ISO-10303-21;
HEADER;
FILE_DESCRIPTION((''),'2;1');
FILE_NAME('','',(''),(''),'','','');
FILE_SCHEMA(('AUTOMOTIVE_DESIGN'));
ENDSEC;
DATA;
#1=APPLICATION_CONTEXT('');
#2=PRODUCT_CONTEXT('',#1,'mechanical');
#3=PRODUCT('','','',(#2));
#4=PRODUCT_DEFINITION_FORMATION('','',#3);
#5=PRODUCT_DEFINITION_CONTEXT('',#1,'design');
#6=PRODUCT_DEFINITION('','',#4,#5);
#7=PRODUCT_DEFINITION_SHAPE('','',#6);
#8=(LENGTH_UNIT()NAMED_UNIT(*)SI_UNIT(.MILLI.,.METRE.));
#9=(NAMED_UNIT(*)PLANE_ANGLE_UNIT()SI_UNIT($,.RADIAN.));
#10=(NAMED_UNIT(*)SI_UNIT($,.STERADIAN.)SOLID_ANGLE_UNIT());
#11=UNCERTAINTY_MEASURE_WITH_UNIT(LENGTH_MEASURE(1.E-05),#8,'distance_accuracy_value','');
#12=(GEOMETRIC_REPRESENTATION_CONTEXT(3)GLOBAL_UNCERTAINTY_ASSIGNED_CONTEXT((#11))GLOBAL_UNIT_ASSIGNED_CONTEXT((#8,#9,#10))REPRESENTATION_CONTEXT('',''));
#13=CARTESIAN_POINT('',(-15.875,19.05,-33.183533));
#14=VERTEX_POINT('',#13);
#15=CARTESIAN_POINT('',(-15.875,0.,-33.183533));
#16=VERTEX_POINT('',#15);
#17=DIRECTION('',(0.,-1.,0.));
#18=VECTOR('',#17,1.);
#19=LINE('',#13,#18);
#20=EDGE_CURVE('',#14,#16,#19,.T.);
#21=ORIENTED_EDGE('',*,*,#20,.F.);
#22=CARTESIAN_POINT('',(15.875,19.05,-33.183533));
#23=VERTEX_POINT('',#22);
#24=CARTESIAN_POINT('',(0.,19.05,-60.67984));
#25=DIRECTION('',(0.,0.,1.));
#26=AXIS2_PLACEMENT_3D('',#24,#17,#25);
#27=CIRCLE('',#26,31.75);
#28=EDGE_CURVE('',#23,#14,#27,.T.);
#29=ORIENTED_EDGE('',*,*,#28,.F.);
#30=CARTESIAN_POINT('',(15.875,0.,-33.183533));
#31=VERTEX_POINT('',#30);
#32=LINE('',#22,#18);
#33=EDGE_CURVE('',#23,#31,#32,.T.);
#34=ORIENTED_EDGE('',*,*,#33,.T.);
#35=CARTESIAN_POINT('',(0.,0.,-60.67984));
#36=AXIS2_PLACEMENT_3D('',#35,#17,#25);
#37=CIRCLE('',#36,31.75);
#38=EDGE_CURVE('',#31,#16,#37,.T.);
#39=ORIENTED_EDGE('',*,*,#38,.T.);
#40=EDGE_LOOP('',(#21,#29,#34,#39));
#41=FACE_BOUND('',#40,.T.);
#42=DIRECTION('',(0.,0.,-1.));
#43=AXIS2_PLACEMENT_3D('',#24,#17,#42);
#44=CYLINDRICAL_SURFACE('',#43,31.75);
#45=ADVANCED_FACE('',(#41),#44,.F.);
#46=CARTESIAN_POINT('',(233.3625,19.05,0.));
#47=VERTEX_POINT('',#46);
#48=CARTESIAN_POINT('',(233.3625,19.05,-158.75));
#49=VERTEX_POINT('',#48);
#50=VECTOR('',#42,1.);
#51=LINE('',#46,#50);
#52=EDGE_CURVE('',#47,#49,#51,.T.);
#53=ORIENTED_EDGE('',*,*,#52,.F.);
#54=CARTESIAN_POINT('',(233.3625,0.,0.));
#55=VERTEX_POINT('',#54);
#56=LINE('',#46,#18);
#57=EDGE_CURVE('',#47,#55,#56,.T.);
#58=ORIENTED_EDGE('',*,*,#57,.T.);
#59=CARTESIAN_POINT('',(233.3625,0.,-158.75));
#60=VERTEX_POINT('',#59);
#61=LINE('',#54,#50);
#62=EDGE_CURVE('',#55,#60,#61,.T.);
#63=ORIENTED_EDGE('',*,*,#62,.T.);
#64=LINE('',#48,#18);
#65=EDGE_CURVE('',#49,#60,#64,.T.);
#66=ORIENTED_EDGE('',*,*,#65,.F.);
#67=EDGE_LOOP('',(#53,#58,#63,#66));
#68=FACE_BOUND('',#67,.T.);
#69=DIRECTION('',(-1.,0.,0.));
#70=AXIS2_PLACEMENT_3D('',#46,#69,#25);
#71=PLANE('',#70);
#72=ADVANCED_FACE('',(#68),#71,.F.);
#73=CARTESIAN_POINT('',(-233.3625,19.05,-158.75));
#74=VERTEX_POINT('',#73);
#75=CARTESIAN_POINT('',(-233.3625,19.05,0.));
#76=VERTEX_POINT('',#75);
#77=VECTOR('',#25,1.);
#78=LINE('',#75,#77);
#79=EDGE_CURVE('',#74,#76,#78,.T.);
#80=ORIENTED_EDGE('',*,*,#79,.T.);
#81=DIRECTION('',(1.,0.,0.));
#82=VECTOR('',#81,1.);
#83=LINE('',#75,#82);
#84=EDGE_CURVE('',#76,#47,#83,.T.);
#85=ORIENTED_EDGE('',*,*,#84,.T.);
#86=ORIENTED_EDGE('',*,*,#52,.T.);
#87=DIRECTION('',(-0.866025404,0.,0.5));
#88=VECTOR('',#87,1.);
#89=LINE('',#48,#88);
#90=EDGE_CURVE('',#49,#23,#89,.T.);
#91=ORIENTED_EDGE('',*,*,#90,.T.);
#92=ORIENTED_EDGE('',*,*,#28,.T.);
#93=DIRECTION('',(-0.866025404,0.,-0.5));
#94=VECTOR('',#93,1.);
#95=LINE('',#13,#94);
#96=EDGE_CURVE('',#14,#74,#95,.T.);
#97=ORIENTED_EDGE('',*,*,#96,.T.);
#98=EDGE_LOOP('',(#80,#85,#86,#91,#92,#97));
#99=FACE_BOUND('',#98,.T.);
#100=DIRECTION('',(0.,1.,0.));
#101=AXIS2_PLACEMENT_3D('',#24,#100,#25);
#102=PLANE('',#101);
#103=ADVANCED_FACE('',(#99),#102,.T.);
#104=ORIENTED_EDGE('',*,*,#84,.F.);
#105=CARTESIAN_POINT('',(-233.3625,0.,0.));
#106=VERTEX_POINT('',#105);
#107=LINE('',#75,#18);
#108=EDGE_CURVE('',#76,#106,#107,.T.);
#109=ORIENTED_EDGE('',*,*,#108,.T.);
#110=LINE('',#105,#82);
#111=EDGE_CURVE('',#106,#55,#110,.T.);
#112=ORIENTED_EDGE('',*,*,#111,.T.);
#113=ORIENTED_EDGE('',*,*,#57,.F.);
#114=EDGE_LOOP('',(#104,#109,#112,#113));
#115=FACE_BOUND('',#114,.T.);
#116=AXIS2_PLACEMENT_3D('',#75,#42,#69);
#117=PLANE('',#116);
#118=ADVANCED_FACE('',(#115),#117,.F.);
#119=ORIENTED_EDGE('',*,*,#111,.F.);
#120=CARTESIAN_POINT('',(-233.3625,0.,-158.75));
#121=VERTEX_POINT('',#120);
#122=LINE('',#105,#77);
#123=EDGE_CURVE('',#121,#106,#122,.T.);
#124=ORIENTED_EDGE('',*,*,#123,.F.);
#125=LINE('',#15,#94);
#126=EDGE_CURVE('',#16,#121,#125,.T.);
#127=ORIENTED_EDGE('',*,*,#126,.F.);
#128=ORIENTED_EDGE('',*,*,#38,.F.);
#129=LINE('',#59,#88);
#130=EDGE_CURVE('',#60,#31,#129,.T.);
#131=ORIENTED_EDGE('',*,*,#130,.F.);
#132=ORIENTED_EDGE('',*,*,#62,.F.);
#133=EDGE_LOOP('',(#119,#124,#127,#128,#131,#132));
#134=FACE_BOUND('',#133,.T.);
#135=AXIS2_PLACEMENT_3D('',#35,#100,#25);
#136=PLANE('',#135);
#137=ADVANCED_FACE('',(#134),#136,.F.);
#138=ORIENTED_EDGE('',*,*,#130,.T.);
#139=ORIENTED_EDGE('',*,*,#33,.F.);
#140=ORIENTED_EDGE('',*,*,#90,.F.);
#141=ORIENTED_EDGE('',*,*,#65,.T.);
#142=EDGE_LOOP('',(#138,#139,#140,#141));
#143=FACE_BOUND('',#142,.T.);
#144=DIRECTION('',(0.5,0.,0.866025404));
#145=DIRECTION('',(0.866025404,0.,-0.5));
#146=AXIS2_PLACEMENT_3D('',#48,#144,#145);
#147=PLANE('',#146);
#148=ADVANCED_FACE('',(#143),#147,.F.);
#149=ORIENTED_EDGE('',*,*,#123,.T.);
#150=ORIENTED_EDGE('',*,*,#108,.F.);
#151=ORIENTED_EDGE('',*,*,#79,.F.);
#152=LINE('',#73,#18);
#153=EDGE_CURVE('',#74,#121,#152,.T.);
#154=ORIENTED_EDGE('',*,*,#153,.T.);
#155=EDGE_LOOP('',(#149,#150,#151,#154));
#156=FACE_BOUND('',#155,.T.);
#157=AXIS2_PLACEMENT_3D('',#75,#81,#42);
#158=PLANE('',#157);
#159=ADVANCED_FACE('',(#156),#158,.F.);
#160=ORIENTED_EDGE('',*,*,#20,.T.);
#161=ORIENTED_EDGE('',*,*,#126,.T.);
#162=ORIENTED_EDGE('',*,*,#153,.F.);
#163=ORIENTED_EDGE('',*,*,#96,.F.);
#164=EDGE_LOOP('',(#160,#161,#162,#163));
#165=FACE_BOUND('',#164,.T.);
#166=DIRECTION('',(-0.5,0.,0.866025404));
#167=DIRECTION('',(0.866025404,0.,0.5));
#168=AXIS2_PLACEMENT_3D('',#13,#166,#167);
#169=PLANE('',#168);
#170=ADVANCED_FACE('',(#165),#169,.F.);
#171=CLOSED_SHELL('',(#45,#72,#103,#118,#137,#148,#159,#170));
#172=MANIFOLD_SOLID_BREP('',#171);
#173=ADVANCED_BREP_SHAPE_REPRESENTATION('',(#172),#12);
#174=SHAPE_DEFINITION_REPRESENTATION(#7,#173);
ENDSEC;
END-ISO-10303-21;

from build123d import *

# Parameters (mm, degrees)
BOSS_EXTRUDE1_DEPTH = 19.05


with BuildPart() as part:
    # Sketch1 → Boss-Extrude1 (new body)
    with BuildSketch(Plane(origin=(0, 0, 0), x_dir=(1, 0, 0), z_dir=(0, 1, 0))):
        with BuildLine():
            Line((-233.3625, 0), (233.3625, 0))
            Line((233.3625, 0), (233.3625, 158.75))
            Line((233.3625, 158.75), (15.875, 33.18353333))
            ThreePointArc((15.875, 33.18353333), (0, 28.9298399), (-15.875, 33.18353333))
            Line((-15.875, 33.18353333), (-233.3625, 158.75))
            Line((-233.3625, 158.75), (-233.3625, 0))
        make_face()
    extrude(amount=BOSS_EXTRUDE1_DEPTH)


solid = part.part
